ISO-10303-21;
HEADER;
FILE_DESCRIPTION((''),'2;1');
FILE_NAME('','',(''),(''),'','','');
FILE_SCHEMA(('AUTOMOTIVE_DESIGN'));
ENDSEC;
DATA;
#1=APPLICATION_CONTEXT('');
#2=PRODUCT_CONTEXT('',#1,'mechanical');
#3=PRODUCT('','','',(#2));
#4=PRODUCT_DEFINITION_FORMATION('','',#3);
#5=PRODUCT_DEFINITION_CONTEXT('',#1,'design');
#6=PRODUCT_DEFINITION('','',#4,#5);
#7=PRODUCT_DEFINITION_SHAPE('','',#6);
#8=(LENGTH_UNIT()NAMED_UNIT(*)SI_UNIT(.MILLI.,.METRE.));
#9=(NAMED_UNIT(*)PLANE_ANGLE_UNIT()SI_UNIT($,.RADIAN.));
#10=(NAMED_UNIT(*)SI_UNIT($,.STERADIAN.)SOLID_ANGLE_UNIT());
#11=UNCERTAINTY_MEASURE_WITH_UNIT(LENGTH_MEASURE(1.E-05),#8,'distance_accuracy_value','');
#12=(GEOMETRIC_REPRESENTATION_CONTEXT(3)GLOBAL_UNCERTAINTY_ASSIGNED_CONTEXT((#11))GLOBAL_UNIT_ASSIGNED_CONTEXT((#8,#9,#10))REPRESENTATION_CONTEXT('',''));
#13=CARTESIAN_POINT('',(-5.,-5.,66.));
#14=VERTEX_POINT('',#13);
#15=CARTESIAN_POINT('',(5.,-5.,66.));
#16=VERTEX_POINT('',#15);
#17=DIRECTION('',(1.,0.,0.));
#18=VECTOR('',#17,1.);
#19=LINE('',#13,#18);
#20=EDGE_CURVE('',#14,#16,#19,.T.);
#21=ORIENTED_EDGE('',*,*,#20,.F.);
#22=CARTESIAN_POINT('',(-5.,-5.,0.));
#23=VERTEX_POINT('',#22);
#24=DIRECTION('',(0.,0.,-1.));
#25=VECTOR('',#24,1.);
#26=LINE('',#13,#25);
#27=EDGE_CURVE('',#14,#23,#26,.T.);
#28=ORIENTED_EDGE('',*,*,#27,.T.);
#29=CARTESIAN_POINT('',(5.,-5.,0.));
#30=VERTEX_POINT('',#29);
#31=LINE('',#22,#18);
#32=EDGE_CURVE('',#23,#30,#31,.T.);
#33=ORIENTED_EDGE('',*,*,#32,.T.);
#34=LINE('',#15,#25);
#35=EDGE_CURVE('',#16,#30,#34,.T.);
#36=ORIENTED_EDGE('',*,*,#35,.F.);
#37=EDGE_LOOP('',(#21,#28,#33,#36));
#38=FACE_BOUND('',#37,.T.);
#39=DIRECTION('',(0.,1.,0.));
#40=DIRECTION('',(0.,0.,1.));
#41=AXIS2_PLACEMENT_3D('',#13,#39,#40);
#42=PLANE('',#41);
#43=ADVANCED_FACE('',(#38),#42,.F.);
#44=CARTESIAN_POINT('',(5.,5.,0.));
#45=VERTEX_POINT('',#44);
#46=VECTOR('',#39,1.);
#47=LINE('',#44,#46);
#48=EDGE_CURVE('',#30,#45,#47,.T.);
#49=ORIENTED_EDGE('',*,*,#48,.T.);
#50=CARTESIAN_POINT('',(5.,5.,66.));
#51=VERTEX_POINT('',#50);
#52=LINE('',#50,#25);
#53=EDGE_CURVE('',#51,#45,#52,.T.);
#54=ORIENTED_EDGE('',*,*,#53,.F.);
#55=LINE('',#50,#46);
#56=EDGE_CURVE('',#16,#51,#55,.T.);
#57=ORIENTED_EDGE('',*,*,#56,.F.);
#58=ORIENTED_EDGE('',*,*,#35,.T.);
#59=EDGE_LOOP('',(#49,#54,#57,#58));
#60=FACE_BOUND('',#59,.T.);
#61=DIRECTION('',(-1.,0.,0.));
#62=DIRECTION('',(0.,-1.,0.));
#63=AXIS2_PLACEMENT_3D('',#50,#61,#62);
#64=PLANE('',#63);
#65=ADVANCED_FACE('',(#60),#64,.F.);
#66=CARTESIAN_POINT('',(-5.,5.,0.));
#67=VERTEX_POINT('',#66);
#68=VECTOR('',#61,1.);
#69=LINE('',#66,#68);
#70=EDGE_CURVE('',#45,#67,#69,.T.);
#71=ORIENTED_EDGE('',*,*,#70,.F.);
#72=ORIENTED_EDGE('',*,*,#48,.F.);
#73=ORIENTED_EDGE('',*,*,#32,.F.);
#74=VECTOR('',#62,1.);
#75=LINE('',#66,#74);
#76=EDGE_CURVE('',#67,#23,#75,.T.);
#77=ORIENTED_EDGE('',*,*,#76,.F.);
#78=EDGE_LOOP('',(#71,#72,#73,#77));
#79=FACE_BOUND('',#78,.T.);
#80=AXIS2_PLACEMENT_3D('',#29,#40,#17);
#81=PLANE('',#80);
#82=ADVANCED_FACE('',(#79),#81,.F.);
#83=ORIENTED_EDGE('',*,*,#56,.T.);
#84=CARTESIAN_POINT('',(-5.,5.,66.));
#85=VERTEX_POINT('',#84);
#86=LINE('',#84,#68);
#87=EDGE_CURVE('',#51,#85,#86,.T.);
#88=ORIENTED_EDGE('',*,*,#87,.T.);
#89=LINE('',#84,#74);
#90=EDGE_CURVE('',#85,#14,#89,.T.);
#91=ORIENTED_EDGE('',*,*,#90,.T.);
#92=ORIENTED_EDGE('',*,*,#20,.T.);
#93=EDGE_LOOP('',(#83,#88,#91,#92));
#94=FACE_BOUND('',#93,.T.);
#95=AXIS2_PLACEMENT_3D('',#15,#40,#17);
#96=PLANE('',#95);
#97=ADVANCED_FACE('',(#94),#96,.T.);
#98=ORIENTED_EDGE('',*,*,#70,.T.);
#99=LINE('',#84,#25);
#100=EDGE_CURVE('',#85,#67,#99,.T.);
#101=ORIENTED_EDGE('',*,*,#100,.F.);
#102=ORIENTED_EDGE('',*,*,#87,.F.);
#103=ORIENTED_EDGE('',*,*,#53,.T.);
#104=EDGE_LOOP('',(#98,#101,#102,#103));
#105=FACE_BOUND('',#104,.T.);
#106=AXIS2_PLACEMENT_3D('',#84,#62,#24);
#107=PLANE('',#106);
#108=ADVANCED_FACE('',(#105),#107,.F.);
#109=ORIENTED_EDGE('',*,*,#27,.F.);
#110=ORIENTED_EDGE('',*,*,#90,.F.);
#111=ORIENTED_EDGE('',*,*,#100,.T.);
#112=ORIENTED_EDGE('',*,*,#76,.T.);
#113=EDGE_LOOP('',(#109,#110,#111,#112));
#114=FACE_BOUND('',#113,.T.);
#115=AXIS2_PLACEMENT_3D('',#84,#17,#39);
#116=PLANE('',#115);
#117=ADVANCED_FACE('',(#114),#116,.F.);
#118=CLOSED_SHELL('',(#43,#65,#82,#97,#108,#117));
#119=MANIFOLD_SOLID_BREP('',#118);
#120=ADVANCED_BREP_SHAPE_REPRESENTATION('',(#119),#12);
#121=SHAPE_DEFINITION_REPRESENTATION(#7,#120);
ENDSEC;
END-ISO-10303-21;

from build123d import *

# Parameters (mm, degrees)
SKETCH_1_W      = 10
SKETCH_1_H      = 10
EXTRUDE_1_DEPTH = 66


with BuildPart() as part:
    # Эскиз1 → Вытянуть1 (new body)
    with BuildSketch(Plane.XY):
        Rectangle(SKETCH_1_W, SKETCH_1_H)
    extrude(amount=EXTRUDE_1_DEPTH)


solid = part.part
